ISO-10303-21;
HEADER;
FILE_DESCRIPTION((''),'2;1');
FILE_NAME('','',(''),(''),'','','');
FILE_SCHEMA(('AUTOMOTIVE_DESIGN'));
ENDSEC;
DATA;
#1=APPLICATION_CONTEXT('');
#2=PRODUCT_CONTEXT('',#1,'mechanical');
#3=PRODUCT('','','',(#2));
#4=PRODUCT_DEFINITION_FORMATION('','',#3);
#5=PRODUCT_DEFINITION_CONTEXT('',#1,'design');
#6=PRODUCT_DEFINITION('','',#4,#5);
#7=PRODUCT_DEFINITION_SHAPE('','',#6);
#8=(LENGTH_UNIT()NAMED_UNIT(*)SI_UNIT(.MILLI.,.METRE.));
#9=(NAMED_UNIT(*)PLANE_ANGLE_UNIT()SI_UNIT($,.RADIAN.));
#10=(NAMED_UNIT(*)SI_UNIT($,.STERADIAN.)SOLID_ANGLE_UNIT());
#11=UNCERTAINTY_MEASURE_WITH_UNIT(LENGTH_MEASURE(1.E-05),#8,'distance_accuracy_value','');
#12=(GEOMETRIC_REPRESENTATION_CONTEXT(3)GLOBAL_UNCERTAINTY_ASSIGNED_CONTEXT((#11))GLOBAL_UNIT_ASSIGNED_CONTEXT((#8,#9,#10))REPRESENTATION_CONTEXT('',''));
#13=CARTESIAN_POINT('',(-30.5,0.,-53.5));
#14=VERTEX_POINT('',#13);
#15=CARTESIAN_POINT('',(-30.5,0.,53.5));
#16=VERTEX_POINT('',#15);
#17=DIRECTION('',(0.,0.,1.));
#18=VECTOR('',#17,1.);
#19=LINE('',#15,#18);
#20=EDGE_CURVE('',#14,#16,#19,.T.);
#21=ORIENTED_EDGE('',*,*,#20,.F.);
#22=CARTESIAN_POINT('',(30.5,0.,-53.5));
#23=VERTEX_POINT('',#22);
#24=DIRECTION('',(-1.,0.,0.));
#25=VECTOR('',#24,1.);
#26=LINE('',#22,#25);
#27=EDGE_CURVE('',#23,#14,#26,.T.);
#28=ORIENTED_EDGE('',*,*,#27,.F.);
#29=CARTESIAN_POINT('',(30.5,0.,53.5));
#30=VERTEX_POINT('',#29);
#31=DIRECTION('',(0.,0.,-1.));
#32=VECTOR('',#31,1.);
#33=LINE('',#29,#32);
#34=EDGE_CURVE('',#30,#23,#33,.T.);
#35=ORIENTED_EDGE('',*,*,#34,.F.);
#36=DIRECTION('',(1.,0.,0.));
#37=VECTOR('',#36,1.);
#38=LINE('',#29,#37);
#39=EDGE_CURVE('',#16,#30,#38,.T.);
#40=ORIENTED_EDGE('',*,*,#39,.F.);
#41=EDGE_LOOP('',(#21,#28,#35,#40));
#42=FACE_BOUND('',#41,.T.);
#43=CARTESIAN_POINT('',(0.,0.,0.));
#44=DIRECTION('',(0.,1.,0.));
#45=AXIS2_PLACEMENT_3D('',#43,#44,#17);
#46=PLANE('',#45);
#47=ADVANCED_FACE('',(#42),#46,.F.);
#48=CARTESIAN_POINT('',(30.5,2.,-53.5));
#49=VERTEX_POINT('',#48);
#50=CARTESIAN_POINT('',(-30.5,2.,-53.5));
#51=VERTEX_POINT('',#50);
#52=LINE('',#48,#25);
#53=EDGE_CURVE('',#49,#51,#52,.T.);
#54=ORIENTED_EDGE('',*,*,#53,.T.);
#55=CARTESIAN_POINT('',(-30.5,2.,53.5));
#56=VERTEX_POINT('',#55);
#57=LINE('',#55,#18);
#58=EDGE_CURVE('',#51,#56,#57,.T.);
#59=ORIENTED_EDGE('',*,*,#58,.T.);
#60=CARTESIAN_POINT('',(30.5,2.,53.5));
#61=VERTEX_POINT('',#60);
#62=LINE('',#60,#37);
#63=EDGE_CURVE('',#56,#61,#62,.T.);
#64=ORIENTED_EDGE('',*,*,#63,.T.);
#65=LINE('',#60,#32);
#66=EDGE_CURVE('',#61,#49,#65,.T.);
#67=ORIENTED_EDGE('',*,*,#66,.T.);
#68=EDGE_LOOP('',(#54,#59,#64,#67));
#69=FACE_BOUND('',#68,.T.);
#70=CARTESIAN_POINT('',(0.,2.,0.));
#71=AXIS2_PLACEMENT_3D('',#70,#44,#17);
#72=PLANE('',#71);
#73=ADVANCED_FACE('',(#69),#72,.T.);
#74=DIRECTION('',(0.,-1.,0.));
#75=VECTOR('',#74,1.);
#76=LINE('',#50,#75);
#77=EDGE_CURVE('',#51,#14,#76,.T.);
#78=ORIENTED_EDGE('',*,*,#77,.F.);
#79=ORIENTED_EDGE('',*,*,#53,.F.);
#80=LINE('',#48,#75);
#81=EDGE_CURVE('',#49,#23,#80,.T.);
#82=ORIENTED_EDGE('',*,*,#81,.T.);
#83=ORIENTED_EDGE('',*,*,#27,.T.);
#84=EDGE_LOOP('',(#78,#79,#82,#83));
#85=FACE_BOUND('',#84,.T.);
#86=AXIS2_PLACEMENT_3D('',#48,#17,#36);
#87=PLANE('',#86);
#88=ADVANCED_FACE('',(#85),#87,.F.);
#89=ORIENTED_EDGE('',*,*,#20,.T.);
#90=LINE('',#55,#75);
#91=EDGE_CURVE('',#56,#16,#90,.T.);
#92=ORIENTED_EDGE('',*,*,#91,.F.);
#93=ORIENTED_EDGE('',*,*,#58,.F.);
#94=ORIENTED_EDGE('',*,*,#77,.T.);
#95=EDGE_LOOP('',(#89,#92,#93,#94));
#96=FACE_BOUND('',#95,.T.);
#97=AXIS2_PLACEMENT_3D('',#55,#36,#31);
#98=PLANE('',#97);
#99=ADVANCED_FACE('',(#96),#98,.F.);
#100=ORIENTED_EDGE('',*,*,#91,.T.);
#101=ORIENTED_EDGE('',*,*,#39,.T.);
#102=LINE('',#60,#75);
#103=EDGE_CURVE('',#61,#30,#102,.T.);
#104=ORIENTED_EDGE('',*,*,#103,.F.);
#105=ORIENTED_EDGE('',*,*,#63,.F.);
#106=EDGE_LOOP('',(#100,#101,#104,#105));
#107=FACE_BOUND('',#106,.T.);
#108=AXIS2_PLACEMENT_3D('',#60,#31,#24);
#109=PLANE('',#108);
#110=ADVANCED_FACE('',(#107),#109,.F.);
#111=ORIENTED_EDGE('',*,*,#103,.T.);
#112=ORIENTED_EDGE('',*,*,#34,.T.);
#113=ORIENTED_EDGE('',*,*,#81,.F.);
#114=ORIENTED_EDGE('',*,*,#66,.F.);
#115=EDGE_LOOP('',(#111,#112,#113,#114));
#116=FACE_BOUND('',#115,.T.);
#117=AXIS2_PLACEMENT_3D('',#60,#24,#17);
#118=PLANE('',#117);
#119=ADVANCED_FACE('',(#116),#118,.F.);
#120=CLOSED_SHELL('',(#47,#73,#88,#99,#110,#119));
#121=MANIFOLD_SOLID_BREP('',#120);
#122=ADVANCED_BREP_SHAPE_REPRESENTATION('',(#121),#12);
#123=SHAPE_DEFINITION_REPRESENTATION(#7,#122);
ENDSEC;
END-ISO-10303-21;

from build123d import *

# Parameters (mm, degrees)
ESQUISSE1_W        = 61
ESQUISSE1_H        = 107
BOSS_EXTRU_1_DEPTH = 2


with BuildPart() as part:
    # Esquisse1 → Boss.-Extru.1 (new body)
    with BuildSketch(Plane(origin=(0, 0, 0), x_dir=(1, 0, 0), z_dir=(0, 1, 0))):
        Rectangle(ESQUISSE1_W, ESQUISSE1_H)
    extrude(amount=BOSS_EXTRU_1_DEPTH)


solid = part.part
